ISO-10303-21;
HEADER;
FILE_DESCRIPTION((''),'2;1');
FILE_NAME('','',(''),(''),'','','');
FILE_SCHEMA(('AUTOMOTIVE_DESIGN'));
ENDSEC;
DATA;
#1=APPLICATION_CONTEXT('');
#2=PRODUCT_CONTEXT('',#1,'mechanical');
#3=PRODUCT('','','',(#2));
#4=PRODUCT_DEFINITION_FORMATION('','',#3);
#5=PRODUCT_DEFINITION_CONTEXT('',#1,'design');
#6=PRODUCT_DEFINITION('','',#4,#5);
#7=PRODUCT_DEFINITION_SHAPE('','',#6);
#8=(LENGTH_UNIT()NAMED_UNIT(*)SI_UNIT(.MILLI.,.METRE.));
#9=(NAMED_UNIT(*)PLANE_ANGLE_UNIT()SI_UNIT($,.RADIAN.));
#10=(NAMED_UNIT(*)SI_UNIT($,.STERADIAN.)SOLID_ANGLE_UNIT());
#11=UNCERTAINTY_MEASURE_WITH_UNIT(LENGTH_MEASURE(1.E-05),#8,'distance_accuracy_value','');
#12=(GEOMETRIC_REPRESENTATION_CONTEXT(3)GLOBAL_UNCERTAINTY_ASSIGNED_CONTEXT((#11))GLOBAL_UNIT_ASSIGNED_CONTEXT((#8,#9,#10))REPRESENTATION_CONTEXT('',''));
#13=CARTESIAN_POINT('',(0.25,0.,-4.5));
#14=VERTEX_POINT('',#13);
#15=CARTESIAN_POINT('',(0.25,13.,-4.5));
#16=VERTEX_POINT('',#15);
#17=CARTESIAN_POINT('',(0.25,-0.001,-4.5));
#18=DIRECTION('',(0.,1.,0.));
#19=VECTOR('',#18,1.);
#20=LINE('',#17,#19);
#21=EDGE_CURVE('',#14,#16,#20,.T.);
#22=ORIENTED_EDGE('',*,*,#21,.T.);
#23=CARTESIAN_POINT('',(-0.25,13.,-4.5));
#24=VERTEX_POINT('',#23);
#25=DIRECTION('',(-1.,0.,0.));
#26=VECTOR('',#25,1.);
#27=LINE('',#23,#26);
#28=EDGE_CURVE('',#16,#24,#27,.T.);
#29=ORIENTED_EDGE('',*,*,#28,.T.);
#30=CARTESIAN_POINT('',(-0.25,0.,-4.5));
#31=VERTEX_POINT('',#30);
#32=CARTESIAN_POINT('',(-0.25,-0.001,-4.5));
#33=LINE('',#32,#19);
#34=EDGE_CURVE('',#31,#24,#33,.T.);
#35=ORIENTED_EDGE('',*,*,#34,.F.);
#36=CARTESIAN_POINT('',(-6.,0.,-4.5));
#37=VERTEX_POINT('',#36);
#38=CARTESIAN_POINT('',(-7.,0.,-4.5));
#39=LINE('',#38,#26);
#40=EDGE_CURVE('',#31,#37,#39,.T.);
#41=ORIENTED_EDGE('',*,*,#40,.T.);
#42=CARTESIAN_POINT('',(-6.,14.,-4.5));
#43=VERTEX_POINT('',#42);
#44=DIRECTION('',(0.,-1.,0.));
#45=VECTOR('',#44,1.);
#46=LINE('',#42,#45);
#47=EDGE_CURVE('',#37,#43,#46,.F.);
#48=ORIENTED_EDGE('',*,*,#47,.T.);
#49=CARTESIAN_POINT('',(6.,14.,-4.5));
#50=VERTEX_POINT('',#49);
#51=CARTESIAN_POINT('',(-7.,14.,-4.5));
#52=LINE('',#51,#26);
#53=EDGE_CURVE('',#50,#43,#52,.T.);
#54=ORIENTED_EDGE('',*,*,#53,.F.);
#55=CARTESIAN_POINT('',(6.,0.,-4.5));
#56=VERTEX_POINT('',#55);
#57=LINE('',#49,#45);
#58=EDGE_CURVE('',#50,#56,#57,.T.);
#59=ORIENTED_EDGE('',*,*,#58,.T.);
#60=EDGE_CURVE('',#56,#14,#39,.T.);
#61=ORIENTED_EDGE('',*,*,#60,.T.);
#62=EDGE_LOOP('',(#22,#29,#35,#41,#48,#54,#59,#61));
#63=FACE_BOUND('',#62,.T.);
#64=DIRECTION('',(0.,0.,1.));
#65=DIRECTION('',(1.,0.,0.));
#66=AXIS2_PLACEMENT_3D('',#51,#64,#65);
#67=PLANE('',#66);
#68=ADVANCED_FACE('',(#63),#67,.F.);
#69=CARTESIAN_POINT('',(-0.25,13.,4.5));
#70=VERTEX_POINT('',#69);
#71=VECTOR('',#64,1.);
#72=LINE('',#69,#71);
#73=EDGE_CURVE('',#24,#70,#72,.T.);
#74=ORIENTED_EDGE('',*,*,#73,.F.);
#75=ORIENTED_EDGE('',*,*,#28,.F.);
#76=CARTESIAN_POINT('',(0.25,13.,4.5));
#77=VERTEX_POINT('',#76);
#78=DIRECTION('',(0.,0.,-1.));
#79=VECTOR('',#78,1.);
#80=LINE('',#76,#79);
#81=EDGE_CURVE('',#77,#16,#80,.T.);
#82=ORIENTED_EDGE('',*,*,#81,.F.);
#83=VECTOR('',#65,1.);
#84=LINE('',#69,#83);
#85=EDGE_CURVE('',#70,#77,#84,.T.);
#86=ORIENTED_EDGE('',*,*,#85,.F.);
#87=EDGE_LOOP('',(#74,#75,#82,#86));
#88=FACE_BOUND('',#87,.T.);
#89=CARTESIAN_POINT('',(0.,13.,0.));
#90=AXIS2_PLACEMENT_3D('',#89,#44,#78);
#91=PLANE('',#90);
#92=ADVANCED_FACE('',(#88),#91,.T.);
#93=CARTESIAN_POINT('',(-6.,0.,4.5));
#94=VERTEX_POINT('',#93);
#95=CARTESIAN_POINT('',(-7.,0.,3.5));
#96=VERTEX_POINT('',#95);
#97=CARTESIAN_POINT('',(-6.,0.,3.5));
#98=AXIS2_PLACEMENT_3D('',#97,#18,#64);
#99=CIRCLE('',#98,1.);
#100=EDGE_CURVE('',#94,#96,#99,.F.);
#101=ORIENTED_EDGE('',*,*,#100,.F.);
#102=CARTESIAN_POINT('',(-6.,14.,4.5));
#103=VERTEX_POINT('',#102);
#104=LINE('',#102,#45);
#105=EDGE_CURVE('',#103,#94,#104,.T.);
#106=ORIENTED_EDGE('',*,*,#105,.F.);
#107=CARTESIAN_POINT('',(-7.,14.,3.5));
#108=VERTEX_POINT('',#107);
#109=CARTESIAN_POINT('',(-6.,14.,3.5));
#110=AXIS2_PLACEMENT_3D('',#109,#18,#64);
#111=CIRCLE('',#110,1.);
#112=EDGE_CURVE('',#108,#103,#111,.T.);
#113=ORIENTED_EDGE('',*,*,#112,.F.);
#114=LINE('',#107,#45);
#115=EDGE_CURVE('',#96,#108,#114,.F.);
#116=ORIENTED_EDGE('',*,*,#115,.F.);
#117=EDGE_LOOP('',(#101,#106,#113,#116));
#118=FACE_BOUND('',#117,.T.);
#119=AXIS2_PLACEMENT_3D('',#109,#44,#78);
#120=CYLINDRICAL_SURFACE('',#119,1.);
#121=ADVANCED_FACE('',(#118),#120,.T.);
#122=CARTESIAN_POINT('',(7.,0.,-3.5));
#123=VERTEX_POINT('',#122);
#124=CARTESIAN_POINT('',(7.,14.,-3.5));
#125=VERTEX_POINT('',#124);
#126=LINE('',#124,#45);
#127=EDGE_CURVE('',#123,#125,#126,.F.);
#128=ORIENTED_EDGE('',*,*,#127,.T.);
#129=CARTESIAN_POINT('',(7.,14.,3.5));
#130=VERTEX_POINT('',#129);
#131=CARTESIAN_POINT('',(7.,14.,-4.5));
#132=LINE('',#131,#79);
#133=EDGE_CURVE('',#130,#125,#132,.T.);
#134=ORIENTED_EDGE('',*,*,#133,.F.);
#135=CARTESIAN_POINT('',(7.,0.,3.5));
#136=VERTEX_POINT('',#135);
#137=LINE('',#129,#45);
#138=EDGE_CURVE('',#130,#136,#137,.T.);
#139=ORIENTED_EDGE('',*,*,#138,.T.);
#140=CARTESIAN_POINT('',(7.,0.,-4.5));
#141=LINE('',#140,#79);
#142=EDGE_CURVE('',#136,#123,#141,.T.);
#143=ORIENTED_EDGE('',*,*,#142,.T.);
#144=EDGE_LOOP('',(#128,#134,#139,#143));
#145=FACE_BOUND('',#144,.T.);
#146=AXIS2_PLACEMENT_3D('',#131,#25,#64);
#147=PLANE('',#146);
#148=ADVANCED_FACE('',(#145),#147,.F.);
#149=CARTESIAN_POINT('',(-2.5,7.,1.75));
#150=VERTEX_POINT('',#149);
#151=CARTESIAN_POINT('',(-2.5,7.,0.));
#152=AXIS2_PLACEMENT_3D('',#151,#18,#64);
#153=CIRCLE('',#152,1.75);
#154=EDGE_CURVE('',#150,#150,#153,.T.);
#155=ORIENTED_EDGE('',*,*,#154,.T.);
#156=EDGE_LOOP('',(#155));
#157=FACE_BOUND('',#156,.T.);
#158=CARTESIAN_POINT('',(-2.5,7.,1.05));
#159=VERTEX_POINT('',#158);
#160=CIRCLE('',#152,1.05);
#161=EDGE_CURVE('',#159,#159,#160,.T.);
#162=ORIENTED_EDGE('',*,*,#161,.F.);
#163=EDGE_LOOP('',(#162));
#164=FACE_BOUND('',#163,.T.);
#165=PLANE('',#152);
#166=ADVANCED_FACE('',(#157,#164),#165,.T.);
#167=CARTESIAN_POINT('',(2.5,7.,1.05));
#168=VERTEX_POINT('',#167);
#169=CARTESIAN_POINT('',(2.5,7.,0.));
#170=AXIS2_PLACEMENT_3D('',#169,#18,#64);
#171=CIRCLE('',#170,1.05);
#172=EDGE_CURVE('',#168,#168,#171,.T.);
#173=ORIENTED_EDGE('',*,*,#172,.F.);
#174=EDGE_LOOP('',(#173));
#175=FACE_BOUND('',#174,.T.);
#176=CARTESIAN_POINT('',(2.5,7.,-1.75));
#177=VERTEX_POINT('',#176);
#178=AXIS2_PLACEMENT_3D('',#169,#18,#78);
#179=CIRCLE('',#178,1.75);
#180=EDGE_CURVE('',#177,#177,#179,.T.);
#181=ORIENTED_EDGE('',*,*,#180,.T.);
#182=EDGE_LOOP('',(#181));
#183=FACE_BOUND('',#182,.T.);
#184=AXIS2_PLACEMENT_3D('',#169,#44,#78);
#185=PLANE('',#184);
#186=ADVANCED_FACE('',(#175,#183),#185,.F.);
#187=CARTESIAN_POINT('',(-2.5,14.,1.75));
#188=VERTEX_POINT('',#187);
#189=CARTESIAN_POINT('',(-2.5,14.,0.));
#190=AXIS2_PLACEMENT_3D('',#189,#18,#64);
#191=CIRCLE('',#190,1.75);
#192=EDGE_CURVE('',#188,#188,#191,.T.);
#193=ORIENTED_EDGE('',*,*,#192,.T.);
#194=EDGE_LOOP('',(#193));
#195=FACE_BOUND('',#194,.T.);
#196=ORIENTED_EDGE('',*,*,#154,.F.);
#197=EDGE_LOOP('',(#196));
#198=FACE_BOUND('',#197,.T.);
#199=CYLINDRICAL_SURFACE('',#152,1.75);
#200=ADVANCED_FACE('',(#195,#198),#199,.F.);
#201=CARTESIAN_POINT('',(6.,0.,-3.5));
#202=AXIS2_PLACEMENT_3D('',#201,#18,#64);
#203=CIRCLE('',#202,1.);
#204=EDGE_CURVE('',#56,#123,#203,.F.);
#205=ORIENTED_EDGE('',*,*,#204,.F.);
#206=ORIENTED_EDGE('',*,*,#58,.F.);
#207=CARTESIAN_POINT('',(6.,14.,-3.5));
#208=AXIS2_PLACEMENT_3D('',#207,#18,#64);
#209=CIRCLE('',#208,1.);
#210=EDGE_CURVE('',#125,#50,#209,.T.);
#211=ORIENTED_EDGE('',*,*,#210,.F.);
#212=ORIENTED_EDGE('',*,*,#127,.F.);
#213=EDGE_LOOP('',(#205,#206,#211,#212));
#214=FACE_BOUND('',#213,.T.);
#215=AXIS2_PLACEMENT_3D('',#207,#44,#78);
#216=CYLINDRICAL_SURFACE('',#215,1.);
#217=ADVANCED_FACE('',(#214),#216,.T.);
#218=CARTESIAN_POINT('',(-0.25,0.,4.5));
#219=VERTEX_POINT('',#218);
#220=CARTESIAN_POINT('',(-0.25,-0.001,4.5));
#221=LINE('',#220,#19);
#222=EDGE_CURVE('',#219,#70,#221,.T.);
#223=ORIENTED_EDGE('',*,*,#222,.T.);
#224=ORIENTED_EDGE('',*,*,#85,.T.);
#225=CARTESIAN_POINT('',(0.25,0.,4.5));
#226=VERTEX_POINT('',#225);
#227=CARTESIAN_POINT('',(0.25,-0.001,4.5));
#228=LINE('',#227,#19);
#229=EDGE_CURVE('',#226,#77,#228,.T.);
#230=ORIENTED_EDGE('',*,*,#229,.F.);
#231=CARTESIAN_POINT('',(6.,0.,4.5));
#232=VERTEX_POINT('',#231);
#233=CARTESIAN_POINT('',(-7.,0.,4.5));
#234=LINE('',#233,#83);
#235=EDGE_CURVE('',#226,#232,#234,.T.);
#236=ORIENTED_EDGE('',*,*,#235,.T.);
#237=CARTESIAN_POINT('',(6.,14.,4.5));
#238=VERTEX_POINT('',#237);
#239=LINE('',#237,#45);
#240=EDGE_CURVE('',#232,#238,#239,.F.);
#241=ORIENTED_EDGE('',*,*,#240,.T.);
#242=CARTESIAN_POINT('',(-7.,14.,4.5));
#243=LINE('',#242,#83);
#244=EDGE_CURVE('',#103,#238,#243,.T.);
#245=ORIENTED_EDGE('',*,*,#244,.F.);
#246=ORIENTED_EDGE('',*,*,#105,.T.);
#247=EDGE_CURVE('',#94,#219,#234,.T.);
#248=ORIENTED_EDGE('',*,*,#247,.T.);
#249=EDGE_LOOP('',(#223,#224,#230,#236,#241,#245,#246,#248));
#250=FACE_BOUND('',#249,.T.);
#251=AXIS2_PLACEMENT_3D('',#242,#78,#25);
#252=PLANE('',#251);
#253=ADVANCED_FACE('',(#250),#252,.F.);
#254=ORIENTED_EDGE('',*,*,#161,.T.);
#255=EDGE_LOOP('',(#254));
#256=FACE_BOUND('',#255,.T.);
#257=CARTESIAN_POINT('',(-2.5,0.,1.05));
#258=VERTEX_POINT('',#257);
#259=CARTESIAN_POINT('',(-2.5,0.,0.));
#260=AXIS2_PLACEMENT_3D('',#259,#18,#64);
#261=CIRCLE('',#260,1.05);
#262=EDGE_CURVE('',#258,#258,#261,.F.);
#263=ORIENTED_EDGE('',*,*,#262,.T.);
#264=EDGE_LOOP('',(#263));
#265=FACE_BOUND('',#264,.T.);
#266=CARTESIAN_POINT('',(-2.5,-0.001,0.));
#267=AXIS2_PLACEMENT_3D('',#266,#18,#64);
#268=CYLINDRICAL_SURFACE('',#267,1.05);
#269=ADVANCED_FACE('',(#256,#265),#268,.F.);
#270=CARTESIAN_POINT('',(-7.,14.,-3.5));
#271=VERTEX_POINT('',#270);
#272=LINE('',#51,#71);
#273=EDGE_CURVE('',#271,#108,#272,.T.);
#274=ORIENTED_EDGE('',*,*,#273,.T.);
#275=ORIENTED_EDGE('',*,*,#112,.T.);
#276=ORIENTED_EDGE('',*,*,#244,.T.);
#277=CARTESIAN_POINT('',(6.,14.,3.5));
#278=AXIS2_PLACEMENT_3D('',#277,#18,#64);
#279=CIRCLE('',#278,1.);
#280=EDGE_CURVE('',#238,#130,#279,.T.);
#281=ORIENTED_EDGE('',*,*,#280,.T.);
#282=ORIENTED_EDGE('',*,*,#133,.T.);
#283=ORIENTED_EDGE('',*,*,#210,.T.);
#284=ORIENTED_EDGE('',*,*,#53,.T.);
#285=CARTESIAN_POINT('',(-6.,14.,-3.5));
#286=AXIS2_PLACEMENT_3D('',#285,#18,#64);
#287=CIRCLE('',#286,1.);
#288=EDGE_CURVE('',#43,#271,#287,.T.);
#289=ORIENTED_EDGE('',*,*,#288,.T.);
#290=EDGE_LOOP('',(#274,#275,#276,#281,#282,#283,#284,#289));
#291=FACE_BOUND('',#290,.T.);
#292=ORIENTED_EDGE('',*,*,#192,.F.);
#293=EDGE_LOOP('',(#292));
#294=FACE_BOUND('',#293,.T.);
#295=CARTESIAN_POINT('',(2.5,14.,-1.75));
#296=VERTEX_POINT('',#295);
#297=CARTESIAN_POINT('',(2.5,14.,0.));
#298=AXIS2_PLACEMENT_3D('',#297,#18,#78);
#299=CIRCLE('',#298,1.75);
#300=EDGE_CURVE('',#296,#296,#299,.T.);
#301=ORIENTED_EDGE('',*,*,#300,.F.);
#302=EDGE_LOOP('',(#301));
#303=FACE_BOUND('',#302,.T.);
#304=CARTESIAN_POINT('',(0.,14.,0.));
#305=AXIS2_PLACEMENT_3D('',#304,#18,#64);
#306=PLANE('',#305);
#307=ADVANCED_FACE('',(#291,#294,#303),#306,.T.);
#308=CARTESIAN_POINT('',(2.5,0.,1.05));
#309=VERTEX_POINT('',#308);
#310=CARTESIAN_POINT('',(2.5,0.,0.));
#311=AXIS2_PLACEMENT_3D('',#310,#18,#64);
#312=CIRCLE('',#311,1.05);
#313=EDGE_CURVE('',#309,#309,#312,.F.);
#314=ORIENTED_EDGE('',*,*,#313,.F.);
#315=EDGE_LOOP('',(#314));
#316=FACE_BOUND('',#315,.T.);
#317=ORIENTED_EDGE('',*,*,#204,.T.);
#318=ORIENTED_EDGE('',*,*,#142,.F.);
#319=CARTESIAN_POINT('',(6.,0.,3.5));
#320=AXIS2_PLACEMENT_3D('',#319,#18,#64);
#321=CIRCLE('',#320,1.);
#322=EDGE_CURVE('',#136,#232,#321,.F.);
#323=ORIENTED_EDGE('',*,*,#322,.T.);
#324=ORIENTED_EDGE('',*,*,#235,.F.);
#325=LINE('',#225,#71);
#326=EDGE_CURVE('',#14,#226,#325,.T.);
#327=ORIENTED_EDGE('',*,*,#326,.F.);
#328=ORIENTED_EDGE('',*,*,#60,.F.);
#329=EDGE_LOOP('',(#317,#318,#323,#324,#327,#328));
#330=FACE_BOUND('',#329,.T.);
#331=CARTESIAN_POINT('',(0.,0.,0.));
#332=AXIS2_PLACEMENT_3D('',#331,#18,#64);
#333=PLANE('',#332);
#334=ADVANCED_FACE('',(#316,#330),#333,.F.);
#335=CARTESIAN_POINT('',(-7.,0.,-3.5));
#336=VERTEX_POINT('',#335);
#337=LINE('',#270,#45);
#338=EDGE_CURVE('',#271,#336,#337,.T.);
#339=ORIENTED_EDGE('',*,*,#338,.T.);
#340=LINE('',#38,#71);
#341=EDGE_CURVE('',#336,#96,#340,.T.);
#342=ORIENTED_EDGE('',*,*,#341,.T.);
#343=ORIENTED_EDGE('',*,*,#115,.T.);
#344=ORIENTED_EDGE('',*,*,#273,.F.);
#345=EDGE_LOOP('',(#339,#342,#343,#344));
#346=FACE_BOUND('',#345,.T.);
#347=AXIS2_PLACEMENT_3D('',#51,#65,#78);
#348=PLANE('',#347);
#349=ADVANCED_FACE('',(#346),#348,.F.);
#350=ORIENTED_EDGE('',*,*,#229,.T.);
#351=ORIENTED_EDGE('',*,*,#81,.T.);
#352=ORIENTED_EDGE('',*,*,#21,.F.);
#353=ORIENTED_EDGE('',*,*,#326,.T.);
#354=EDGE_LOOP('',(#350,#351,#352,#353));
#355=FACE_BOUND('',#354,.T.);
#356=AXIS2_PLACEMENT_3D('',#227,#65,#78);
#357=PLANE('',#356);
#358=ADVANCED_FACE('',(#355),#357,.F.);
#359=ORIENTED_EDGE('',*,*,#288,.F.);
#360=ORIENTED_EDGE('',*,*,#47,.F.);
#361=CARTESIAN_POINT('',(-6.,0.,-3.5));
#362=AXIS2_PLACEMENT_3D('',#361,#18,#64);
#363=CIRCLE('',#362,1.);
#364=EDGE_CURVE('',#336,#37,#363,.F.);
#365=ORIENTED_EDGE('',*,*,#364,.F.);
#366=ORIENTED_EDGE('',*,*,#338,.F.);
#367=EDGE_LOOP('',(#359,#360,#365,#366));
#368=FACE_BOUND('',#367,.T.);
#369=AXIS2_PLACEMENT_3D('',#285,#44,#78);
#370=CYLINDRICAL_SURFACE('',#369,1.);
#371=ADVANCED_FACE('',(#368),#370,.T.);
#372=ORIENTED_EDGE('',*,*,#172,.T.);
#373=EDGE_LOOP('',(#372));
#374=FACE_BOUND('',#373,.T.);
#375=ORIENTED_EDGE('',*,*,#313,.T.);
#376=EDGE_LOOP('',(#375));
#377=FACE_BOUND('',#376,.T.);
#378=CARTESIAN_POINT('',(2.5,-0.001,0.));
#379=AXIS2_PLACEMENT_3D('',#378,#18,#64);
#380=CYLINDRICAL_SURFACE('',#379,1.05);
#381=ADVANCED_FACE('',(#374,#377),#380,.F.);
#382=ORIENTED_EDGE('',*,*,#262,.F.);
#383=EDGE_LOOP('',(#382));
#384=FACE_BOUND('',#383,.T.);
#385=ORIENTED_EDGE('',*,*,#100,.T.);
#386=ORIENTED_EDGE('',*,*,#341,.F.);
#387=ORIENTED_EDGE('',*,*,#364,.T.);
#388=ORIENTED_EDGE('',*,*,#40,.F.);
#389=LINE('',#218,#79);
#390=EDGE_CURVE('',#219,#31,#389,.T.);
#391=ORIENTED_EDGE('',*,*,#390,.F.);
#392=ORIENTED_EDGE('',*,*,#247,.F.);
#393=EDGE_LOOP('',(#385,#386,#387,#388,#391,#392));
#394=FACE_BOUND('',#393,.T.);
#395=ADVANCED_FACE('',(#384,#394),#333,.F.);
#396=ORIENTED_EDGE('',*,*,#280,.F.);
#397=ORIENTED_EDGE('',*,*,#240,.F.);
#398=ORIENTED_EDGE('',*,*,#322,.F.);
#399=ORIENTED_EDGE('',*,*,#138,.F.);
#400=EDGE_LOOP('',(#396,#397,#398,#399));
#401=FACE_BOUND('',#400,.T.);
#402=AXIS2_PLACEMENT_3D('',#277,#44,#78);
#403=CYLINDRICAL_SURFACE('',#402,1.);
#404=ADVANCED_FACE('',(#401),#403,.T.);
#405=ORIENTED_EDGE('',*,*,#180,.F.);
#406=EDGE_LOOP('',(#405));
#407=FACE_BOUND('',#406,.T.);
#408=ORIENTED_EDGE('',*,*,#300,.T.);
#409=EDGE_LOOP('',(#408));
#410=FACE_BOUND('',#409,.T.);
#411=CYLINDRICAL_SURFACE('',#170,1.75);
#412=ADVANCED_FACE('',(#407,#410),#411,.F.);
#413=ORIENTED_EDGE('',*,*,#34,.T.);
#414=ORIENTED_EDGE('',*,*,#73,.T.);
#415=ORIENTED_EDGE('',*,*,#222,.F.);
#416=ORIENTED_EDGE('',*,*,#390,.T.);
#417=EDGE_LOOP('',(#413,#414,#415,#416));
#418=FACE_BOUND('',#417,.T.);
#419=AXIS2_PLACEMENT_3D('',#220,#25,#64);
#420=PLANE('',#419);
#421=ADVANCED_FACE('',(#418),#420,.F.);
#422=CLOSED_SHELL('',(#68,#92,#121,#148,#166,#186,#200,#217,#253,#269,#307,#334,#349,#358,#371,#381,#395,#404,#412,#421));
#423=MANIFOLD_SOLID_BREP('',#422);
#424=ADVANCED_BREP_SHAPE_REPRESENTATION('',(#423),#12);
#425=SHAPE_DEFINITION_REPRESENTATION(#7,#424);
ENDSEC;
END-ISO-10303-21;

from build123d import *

# Parameters (mm, degrees)
SKETCH_1_W          = 14
SKETCH_1_H          = 9
EXTRUDE_1_DEPTH     = 14
FILLET_1_R          = 1
SKETCH_3_R          = 1.75
CUT_EXTRUDE_2_DEPTH = 7
CUT_EXTRUDE_3_REACH = 12.874
SKETCH_4_R          = 1.05
CUT_EXTRUDE_START   = -14
SKETCH_6_W          = 0.5
SKETCH_6_H          = 9
CUT_EXTRUDE_4_DEPTH = 13


with BuildPart() as part:
    # 草图1 → 凸台-拉伸1 (new body)
    with BuildSketch(Plane(origin=(0, 0, 0), x_dir=(1, 0, 0), z_dir=(0, 1, 0))):
        Rectangle(SKETCH_1_W, SKETCH_1_H)
    extrude(amount=EXTRUDE_1_DEPTH)

    # 圆角1
    fillet_1_edges = [part.edges().sort_by_distance(p)[0] for p in [
        (7, 7, 4.5),
        (-7, 7, 4.5),
        (-7, 7, -4.5),
        (7, 7, -4.5),
    ]]
    fillet(fillet_1_edges, radius=FILLET_1_R)

    # 草图3 → 切除-拉伸2 (cut)
    with BuildSketch(Plane(origin=(0, 14, 0), x_dir=(1, 0, 0), z_dir=(0, 1, 0))):
        with Locations(Location((-2.5, 0, 0), (0, 0, 270))):
            Circle(SKETCH_3_R)
        with Locations(Location((2.5, 0, 0), (0, 0, 90))):
            Circle(SKETCH_3_R)
    extrude(amount=-CUT_EXTRUDE_2_DEPTH, mode=Mode.SUBTRACT)

    # 草图4 → 切除-拉伸3 (cut, up to next)
    with BuildSketch(Plane(origin=(0, 7, 0), x_dir=(1, 0, 0), z_dir=(0, 1, 0)), mode=Mode.PRIVATE) as cut_extrude_3_sk1:
        with Locations(Location((-2.5, 0, 0), (0, 0, 270))):
            Circle(SKETCH_4_R)
    cut_extrude_3_tool1 = extrude(cut_extrude_3_sk1.sketch, amount=-CUT_EXTRUDE_3_REACH, mode=Mode.PRIVATE) & part.part
    # 草图4 → 切除-拉伸3 (cut, up to next)
    with BuildSketch(Plane(origin=(0, 7, 0), x_dir=(1, 0, 0), z_dir=(0, 1, 0)), mode=Mode.PRIVATE) as cut_extrude_3_sk2:
        with Locations(Location((2.5, 0, 0), (0, 0, 270))):
            Circle(SKETCH_4_R)
    cut_extrude_3_tool2 = extrude(cut_extrude_3_sk2.sketch, amount=-CUT_EXTRUDE_3_REACH, mode=Mode.PRIVATE) & part.part
    add(cut_extrude_3_tool1.solids().sort_by_distance((-2.5, 7, 0))[0], mode=Mode.SUBTRACT)
    add(cut_extrude_3_tool2.solids().sort_by_distance((2.5, 7, 0))[0], mode=Mode.SUBTRACT)

    # 草图6 → 切除-拉伸4 (cut)
    with BuildSketch(Plane(origin=(0, 14, 0), x_dir=(1, 0, 0), z_dir=(0, 1, 0)).offset(CUT_EXTRUDE_START)):
        Rectangle(SKETCH_6_W, SKETCH_6_H)
    extrude(amount=CUT_EXTRUDE_4_DEPTH, mode=Mode.SUBTRACT)


solid = part.part
